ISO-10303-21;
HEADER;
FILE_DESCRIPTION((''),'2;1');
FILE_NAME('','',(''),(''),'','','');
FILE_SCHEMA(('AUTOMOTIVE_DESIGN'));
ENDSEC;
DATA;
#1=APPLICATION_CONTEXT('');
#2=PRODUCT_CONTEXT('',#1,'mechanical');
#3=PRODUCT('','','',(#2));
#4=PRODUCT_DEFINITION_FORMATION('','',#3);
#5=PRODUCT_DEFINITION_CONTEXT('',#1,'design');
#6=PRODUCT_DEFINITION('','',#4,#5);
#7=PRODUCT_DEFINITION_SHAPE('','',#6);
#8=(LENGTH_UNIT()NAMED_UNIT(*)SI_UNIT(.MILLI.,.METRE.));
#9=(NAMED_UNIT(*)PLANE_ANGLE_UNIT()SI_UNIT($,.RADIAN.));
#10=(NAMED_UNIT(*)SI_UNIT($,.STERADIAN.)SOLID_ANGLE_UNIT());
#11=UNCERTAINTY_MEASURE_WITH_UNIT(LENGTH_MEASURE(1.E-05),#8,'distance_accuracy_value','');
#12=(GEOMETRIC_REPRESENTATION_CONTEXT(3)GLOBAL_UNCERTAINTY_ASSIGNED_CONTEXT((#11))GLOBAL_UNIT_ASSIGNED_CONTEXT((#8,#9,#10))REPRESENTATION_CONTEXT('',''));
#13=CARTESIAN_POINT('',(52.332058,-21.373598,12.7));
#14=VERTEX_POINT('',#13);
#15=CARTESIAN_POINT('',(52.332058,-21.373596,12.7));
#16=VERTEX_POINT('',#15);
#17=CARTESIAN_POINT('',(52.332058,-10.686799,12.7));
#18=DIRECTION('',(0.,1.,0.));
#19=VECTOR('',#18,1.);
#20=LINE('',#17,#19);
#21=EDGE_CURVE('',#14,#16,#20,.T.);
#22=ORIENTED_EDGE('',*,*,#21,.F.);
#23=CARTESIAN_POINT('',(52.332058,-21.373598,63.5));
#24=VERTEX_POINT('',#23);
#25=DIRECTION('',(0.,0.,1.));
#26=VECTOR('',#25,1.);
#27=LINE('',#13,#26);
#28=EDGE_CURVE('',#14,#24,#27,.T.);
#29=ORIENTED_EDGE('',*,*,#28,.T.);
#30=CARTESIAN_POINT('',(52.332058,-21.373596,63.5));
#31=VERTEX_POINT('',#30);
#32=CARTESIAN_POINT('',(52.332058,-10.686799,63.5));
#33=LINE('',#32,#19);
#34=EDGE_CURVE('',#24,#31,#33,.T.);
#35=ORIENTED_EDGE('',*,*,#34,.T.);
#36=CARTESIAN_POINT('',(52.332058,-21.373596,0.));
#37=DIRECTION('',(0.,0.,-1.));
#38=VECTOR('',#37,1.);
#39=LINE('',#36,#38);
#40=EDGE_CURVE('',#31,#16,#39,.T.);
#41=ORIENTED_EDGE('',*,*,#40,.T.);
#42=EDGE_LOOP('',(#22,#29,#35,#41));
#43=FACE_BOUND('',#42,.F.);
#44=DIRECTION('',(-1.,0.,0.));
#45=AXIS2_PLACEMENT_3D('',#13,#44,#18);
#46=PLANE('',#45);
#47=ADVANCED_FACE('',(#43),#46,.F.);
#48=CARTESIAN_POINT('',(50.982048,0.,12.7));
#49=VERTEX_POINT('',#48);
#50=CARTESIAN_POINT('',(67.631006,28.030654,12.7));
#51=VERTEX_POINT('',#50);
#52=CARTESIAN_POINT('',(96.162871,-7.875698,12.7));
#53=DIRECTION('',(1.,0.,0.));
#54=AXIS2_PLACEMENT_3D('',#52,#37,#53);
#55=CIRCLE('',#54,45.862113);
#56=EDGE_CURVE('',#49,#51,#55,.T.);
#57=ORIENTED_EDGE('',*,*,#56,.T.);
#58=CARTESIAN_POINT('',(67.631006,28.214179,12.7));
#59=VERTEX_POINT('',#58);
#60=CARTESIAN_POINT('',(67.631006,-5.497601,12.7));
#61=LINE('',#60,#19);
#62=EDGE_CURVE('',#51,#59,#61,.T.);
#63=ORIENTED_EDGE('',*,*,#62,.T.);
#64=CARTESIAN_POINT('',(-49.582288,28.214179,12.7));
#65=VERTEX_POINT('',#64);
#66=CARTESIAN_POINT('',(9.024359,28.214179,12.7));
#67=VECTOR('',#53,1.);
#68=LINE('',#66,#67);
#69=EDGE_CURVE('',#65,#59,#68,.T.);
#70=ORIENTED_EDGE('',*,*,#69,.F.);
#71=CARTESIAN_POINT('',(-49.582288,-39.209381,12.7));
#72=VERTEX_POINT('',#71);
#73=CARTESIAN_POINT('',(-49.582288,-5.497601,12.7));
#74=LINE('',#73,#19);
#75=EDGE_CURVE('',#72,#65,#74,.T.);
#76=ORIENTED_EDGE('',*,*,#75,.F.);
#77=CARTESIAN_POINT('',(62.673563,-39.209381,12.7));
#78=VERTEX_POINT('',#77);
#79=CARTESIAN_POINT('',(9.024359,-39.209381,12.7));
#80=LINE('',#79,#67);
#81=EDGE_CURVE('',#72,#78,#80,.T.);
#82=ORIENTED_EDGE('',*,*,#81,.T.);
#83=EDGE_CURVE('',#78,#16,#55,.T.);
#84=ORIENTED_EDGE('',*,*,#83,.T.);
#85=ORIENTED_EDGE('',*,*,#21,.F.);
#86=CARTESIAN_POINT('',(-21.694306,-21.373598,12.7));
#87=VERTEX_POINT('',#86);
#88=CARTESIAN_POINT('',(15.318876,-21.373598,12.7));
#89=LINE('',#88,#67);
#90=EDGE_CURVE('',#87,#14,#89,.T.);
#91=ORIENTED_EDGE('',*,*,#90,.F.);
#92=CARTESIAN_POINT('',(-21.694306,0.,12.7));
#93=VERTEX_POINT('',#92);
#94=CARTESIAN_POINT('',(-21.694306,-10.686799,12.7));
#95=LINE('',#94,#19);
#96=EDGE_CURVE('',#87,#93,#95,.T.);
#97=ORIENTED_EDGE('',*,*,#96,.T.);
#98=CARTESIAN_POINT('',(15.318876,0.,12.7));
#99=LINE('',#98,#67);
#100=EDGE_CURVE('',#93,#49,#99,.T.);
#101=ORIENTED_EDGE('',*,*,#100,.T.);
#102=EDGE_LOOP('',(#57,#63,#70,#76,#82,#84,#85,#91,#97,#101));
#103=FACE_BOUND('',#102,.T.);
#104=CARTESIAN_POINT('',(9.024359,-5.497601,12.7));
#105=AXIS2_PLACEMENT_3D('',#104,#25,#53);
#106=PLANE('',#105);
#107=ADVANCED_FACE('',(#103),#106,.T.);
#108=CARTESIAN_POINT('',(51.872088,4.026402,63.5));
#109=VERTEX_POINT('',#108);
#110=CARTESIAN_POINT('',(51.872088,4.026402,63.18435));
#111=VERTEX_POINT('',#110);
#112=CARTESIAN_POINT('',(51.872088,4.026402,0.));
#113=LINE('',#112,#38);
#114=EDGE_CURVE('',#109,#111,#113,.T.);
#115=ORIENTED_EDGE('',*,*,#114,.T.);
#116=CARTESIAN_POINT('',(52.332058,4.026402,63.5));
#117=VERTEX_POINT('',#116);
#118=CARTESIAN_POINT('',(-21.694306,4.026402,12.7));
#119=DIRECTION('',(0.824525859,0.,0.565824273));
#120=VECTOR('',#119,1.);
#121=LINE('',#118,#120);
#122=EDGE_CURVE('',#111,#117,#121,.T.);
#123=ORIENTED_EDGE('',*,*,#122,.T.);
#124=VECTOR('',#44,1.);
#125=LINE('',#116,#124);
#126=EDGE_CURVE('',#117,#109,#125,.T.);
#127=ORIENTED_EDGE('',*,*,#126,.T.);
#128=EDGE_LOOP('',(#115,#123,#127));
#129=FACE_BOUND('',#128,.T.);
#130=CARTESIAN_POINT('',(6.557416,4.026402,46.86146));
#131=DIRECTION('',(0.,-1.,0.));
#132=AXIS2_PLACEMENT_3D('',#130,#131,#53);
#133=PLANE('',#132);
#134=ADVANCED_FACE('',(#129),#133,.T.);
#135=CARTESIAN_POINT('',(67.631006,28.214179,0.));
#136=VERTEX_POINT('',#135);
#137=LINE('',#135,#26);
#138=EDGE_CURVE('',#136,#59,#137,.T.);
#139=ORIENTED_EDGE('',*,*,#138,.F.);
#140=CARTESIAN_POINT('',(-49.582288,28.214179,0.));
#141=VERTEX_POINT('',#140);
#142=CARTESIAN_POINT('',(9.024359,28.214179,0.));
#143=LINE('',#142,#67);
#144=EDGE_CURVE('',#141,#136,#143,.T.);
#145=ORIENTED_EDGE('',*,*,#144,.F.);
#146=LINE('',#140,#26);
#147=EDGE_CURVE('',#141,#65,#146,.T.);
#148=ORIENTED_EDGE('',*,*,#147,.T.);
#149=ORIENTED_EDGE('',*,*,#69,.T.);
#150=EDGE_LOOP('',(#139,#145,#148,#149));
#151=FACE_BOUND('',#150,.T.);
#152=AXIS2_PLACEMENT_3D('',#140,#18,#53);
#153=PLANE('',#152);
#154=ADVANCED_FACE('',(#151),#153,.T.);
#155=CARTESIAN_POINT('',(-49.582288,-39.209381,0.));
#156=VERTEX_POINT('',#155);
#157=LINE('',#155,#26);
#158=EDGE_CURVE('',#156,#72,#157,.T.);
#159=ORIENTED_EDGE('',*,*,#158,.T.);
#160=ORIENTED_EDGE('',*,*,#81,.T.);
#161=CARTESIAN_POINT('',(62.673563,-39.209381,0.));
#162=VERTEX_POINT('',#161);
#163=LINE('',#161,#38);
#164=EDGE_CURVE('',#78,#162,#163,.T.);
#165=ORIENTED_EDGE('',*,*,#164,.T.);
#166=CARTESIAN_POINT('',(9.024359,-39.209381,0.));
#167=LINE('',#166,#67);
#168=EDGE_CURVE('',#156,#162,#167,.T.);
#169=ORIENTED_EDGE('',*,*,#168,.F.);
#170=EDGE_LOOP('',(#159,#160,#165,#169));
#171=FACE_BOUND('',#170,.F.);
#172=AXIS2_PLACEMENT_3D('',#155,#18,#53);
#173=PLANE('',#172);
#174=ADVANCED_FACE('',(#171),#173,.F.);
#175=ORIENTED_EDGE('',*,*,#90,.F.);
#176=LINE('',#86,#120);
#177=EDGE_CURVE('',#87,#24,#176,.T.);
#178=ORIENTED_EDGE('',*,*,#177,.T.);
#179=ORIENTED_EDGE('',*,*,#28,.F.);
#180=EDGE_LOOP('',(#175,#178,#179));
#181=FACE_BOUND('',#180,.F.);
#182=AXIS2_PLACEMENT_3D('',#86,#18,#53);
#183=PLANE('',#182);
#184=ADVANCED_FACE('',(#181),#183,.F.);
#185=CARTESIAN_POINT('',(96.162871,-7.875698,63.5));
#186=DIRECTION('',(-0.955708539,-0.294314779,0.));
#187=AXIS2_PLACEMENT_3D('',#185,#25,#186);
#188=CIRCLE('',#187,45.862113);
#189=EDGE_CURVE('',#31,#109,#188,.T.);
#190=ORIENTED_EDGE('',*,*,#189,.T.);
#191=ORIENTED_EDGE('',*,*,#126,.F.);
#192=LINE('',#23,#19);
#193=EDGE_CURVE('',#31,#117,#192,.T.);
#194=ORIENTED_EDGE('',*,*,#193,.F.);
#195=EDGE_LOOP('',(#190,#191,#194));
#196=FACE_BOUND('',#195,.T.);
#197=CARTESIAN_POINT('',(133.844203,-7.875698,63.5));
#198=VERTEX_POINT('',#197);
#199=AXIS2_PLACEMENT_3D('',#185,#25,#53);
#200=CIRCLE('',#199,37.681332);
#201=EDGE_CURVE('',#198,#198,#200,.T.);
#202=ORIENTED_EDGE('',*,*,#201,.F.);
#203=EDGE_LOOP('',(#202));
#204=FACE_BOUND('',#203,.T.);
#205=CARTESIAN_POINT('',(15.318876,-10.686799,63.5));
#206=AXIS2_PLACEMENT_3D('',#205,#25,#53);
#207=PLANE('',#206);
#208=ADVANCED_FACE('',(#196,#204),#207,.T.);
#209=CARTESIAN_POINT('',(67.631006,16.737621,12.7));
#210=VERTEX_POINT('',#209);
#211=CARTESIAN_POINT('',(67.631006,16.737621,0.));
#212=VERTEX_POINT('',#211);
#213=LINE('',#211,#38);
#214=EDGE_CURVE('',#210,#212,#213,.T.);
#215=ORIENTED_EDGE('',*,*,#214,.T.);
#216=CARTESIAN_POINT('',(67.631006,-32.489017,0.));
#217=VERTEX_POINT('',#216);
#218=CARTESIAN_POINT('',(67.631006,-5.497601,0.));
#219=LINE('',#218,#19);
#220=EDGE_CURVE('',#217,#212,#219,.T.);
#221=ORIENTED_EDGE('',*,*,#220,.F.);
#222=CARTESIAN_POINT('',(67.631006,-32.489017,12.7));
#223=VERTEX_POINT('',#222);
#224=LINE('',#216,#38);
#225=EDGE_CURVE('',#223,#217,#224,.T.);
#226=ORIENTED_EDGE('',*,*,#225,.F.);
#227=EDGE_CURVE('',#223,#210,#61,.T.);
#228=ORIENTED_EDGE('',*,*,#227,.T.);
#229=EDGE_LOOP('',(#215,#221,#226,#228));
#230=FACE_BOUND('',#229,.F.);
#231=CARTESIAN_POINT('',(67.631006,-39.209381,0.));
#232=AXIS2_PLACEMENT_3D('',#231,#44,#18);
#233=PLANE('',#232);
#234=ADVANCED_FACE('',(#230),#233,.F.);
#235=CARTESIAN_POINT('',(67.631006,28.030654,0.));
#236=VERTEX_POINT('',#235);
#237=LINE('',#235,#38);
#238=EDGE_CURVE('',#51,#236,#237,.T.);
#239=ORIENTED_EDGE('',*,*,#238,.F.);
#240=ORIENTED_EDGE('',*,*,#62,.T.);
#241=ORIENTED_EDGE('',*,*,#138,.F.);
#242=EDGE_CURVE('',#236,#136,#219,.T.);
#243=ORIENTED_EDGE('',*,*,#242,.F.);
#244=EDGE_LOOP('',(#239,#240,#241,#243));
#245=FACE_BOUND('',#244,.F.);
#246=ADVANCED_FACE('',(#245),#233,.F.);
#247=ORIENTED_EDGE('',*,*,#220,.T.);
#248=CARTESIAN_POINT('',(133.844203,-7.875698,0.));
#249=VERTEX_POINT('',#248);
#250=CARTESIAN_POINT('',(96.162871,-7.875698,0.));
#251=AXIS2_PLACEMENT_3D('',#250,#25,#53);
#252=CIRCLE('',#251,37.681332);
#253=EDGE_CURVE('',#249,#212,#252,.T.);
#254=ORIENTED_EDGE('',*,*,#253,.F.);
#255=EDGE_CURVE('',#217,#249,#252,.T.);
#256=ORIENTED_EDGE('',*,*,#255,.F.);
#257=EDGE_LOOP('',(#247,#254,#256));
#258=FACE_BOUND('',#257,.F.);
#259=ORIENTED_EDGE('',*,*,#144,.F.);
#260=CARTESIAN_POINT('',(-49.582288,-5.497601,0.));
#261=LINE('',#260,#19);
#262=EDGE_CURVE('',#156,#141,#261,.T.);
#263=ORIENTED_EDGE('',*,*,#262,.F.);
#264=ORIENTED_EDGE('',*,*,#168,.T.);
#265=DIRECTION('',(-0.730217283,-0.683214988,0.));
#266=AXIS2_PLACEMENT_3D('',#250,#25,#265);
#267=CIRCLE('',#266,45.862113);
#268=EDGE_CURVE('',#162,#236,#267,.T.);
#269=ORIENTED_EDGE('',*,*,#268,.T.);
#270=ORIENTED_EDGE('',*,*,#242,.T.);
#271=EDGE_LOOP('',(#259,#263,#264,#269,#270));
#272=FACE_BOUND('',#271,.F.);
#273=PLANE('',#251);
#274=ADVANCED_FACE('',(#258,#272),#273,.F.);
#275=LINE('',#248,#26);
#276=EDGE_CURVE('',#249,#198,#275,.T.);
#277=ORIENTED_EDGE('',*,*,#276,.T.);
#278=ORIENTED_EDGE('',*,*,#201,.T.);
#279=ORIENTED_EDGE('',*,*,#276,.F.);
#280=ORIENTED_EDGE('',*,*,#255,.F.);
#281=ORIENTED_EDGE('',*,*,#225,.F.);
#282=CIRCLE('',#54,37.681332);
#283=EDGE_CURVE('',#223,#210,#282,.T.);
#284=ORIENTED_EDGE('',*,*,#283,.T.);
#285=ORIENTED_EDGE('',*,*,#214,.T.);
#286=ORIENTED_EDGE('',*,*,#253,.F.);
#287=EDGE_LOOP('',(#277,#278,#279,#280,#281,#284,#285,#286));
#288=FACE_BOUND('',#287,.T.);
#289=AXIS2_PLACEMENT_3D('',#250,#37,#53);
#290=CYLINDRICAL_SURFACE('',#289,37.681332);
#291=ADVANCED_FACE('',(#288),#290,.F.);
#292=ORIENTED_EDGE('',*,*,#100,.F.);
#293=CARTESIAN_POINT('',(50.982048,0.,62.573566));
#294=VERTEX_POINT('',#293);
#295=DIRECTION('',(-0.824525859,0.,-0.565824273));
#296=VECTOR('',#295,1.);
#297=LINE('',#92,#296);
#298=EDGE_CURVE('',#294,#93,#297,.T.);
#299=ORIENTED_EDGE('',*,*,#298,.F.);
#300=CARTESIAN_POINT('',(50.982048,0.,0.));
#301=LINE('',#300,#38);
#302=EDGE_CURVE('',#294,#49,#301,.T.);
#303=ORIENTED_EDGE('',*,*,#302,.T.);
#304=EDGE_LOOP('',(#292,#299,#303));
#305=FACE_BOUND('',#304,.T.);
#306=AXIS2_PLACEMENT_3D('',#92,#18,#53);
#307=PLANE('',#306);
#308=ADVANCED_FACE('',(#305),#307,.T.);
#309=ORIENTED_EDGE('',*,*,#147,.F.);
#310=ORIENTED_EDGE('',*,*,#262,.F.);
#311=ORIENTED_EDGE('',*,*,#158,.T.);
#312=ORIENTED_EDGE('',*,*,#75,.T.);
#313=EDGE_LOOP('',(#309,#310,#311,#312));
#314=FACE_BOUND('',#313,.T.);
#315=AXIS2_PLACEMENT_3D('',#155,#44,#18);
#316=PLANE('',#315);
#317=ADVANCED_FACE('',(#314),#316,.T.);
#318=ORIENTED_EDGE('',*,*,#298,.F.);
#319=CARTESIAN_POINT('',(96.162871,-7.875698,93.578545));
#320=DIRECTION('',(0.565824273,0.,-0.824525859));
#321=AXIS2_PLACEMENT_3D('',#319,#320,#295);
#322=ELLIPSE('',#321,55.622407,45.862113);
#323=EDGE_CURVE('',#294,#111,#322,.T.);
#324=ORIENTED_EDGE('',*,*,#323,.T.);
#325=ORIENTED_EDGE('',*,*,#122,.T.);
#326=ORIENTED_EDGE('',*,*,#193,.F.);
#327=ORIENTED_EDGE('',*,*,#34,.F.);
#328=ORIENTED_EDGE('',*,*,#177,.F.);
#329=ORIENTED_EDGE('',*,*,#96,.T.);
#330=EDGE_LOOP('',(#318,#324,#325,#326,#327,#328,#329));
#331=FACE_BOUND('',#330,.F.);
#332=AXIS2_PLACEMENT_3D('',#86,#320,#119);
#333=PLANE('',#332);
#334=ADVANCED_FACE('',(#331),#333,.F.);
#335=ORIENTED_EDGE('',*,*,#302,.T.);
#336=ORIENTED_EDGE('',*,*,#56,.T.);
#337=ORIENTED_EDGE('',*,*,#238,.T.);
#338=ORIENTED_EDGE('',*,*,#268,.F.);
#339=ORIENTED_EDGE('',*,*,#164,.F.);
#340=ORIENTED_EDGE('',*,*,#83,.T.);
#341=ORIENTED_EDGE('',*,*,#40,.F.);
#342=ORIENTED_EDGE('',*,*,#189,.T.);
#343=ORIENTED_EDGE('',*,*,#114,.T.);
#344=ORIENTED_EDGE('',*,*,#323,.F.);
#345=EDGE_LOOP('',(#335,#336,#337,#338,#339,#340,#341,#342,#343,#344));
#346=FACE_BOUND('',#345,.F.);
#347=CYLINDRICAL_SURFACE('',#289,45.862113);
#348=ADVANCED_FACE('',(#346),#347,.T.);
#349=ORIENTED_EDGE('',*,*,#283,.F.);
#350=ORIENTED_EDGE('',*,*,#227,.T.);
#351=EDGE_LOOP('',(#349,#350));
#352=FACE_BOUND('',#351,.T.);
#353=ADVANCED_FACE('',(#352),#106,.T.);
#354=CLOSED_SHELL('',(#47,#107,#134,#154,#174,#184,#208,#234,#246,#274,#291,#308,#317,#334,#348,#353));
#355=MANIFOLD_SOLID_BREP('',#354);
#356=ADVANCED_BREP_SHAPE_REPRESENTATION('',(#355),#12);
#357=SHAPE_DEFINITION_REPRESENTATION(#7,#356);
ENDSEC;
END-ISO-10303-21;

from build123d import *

# Parameters (mm, degrees)
F0_W      = 117.213294
F0_H      = 67.42356
F1_DEPTH  = 25.4
F1_FACE_W = 117.213294
F1_FACE_H = 67.42356
F2_DEPTH  = 12.7
F3_R      = 45.862113
F3_R_2    = 37.681332
F4_DEPTH  = 63.5
F5_W      = 74.026364
F5_H      = 21.373598
F6_DEPTH  = 50.8
F8_DEPTH  = 25.4


with BuildPart() as f1:
    # F0 (on Top) → F1 (new body)
    with BuildSketch(Plane.XY):
        with Locations((9.024359, -5.497601)):
            Rectangle(F0_W, F0_H)
    extrude(amount=F1_DEPTH)

    # F1_face (on face) → F2 (cut)
    with BuildSketch(Plane(origin=(9.024359, -5.497601, 25.4), x_dir=(1, 0, 0), z_dir=(0, 0, 1))):
        Rectangle(F1_FACE_W, F1_FACE_H)
    extrude(amount=-F2_DEPTH, mode=Mode.SUBTRACT)

    # F3 (on Top) → F4 (join)
    with BuildSketch(Plane.XY):
        with Locations((96.162871, -7.875698)):
            Circle(F3_R)
        with Locations((96.162871, -7.875698)):
            Circle(F3_R_2, mode=Mode.SUBTRACT)
    extrude(amount=F4_DEPTH)

    # F5 (on face) → F6 (join)
    with BuildSketch(Plane.XY.offset(12.7)):
        with Locations((15.318876, -10.686799)):
            Rectangle(F5_W, F5_H)
    extrude(amount=F6_DEPTH)

    # F7 (on face) → F8 (cut)
    with BuildSketch(Plane.XZ.offset(21.373598)):
        Polygon((-21.694306, 63.5), (-21.694306, 12.7), (52.332058, 63.5), align=None)
    extrude(amount=-F8_DEPTH, mode=Mode.SUBTRACT)


solid = f1.part
